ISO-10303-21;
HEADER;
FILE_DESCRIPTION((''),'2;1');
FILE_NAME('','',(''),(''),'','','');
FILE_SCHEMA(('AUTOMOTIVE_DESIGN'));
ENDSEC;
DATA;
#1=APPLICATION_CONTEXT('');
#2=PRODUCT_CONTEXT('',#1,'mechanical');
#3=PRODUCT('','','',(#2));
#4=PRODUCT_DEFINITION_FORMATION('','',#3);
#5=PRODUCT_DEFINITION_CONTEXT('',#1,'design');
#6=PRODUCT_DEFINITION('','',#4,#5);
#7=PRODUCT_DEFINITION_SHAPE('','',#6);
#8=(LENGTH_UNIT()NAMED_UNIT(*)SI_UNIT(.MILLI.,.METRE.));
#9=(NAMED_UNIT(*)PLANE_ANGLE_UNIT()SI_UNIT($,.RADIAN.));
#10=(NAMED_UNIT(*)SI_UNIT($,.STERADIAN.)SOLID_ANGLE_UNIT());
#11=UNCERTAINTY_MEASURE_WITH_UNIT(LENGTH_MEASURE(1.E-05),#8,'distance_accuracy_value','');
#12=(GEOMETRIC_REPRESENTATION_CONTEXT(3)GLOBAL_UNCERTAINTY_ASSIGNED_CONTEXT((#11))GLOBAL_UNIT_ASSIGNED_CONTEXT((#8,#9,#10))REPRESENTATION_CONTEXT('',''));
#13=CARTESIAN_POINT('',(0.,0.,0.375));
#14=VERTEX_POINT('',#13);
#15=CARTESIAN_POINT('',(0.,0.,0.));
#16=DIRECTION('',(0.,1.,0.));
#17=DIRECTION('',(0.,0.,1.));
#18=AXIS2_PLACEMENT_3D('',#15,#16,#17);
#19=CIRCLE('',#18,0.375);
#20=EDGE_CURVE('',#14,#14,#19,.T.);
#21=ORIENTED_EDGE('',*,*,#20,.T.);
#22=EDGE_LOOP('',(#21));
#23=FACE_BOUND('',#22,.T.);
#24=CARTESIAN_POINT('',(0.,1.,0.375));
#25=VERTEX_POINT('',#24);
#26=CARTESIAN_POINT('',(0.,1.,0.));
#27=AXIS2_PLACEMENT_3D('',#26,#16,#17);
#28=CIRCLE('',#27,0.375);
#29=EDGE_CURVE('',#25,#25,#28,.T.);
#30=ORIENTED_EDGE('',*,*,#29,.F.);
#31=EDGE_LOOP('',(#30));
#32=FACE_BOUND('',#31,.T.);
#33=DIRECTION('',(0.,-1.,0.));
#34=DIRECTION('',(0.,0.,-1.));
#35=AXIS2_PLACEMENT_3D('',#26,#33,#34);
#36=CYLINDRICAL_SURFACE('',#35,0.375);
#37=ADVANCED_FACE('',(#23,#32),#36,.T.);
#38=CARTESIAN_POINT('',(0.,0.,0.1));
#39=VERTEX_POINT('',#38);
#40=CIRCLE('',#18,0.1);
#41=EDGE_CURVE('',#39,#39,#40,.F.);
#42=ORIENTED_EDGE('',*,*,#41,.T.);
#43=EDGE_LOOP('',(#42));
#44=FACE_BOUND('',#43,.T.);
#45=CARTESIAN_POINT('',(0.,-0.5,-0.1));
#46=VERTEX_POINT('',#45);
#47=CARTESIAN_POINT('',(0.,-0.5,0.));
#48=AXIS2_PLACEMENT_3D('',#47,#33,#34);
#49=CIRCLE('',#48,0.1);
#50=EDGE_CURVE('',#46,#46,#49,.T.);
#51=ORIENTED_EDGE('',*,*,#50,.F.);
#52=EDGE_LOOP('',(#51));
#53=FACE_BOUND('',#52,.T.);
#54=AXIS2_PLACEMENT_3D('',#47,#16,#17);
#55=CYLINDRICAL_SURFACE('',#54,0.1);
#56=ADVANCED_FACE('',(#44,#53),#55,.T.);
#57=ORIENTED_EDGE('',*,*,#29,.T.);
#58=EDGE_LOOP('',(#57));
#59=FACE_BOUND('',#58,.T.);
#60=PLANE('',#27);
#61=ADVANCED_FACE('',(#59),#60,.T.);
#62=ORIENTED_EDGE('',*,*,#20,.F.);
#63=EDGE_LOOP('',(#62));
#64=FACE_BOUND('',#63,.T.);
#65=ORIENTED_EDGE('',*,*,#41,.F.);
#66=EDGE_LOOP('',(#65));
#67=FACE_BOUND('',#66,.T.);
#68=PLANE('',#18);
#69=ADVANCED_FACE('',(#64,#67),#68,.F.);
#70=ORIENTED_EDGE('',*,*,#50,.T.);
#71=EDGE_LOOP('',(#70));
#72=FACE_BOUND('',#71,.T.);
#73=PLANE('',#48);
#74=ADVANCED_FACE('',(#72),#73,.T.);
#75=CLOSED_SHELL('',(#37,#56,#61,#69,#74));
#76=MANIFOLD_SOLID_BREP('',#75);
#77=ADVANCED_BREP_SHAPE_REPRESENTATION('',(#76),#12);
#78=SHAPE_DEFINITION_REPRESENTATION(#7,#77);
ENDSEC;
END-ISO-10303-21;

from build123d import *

# Parameters (mm, degrees)
CROQUIS1_R              = 0.375
SALIENTE_EXTRUIR1_DEPTH = 1
CROQUIS2_R              = 0.1
SALIENTE_EXTRUIR2_DEPTH = 0.5


with BuildPart() as part:
    # Croquis1 → Saliente-Extruir1 (new body)
    with BuildSketch(Plane(origin=(0, 0, 0), x_dir=(1, 0, 0), z_dir=(0, 1, 0))):
        Circle(CROQUIS1_R)
    extrude(amount=SALIENTE_EXTRUIR1_DEPTH)

    # Croquis2 → Saliente-Extruir2 (add)
    with BuildSketch(Plane(origin=(0, 0, 0), x_dir=(-1, 0, 0), z_dir=(0, -1, 0))):
        Circle(CROQUIS2_R)
    extrude(amount=SALIENTE_EXTRUIR2_DEPTH)


solid = part.part
